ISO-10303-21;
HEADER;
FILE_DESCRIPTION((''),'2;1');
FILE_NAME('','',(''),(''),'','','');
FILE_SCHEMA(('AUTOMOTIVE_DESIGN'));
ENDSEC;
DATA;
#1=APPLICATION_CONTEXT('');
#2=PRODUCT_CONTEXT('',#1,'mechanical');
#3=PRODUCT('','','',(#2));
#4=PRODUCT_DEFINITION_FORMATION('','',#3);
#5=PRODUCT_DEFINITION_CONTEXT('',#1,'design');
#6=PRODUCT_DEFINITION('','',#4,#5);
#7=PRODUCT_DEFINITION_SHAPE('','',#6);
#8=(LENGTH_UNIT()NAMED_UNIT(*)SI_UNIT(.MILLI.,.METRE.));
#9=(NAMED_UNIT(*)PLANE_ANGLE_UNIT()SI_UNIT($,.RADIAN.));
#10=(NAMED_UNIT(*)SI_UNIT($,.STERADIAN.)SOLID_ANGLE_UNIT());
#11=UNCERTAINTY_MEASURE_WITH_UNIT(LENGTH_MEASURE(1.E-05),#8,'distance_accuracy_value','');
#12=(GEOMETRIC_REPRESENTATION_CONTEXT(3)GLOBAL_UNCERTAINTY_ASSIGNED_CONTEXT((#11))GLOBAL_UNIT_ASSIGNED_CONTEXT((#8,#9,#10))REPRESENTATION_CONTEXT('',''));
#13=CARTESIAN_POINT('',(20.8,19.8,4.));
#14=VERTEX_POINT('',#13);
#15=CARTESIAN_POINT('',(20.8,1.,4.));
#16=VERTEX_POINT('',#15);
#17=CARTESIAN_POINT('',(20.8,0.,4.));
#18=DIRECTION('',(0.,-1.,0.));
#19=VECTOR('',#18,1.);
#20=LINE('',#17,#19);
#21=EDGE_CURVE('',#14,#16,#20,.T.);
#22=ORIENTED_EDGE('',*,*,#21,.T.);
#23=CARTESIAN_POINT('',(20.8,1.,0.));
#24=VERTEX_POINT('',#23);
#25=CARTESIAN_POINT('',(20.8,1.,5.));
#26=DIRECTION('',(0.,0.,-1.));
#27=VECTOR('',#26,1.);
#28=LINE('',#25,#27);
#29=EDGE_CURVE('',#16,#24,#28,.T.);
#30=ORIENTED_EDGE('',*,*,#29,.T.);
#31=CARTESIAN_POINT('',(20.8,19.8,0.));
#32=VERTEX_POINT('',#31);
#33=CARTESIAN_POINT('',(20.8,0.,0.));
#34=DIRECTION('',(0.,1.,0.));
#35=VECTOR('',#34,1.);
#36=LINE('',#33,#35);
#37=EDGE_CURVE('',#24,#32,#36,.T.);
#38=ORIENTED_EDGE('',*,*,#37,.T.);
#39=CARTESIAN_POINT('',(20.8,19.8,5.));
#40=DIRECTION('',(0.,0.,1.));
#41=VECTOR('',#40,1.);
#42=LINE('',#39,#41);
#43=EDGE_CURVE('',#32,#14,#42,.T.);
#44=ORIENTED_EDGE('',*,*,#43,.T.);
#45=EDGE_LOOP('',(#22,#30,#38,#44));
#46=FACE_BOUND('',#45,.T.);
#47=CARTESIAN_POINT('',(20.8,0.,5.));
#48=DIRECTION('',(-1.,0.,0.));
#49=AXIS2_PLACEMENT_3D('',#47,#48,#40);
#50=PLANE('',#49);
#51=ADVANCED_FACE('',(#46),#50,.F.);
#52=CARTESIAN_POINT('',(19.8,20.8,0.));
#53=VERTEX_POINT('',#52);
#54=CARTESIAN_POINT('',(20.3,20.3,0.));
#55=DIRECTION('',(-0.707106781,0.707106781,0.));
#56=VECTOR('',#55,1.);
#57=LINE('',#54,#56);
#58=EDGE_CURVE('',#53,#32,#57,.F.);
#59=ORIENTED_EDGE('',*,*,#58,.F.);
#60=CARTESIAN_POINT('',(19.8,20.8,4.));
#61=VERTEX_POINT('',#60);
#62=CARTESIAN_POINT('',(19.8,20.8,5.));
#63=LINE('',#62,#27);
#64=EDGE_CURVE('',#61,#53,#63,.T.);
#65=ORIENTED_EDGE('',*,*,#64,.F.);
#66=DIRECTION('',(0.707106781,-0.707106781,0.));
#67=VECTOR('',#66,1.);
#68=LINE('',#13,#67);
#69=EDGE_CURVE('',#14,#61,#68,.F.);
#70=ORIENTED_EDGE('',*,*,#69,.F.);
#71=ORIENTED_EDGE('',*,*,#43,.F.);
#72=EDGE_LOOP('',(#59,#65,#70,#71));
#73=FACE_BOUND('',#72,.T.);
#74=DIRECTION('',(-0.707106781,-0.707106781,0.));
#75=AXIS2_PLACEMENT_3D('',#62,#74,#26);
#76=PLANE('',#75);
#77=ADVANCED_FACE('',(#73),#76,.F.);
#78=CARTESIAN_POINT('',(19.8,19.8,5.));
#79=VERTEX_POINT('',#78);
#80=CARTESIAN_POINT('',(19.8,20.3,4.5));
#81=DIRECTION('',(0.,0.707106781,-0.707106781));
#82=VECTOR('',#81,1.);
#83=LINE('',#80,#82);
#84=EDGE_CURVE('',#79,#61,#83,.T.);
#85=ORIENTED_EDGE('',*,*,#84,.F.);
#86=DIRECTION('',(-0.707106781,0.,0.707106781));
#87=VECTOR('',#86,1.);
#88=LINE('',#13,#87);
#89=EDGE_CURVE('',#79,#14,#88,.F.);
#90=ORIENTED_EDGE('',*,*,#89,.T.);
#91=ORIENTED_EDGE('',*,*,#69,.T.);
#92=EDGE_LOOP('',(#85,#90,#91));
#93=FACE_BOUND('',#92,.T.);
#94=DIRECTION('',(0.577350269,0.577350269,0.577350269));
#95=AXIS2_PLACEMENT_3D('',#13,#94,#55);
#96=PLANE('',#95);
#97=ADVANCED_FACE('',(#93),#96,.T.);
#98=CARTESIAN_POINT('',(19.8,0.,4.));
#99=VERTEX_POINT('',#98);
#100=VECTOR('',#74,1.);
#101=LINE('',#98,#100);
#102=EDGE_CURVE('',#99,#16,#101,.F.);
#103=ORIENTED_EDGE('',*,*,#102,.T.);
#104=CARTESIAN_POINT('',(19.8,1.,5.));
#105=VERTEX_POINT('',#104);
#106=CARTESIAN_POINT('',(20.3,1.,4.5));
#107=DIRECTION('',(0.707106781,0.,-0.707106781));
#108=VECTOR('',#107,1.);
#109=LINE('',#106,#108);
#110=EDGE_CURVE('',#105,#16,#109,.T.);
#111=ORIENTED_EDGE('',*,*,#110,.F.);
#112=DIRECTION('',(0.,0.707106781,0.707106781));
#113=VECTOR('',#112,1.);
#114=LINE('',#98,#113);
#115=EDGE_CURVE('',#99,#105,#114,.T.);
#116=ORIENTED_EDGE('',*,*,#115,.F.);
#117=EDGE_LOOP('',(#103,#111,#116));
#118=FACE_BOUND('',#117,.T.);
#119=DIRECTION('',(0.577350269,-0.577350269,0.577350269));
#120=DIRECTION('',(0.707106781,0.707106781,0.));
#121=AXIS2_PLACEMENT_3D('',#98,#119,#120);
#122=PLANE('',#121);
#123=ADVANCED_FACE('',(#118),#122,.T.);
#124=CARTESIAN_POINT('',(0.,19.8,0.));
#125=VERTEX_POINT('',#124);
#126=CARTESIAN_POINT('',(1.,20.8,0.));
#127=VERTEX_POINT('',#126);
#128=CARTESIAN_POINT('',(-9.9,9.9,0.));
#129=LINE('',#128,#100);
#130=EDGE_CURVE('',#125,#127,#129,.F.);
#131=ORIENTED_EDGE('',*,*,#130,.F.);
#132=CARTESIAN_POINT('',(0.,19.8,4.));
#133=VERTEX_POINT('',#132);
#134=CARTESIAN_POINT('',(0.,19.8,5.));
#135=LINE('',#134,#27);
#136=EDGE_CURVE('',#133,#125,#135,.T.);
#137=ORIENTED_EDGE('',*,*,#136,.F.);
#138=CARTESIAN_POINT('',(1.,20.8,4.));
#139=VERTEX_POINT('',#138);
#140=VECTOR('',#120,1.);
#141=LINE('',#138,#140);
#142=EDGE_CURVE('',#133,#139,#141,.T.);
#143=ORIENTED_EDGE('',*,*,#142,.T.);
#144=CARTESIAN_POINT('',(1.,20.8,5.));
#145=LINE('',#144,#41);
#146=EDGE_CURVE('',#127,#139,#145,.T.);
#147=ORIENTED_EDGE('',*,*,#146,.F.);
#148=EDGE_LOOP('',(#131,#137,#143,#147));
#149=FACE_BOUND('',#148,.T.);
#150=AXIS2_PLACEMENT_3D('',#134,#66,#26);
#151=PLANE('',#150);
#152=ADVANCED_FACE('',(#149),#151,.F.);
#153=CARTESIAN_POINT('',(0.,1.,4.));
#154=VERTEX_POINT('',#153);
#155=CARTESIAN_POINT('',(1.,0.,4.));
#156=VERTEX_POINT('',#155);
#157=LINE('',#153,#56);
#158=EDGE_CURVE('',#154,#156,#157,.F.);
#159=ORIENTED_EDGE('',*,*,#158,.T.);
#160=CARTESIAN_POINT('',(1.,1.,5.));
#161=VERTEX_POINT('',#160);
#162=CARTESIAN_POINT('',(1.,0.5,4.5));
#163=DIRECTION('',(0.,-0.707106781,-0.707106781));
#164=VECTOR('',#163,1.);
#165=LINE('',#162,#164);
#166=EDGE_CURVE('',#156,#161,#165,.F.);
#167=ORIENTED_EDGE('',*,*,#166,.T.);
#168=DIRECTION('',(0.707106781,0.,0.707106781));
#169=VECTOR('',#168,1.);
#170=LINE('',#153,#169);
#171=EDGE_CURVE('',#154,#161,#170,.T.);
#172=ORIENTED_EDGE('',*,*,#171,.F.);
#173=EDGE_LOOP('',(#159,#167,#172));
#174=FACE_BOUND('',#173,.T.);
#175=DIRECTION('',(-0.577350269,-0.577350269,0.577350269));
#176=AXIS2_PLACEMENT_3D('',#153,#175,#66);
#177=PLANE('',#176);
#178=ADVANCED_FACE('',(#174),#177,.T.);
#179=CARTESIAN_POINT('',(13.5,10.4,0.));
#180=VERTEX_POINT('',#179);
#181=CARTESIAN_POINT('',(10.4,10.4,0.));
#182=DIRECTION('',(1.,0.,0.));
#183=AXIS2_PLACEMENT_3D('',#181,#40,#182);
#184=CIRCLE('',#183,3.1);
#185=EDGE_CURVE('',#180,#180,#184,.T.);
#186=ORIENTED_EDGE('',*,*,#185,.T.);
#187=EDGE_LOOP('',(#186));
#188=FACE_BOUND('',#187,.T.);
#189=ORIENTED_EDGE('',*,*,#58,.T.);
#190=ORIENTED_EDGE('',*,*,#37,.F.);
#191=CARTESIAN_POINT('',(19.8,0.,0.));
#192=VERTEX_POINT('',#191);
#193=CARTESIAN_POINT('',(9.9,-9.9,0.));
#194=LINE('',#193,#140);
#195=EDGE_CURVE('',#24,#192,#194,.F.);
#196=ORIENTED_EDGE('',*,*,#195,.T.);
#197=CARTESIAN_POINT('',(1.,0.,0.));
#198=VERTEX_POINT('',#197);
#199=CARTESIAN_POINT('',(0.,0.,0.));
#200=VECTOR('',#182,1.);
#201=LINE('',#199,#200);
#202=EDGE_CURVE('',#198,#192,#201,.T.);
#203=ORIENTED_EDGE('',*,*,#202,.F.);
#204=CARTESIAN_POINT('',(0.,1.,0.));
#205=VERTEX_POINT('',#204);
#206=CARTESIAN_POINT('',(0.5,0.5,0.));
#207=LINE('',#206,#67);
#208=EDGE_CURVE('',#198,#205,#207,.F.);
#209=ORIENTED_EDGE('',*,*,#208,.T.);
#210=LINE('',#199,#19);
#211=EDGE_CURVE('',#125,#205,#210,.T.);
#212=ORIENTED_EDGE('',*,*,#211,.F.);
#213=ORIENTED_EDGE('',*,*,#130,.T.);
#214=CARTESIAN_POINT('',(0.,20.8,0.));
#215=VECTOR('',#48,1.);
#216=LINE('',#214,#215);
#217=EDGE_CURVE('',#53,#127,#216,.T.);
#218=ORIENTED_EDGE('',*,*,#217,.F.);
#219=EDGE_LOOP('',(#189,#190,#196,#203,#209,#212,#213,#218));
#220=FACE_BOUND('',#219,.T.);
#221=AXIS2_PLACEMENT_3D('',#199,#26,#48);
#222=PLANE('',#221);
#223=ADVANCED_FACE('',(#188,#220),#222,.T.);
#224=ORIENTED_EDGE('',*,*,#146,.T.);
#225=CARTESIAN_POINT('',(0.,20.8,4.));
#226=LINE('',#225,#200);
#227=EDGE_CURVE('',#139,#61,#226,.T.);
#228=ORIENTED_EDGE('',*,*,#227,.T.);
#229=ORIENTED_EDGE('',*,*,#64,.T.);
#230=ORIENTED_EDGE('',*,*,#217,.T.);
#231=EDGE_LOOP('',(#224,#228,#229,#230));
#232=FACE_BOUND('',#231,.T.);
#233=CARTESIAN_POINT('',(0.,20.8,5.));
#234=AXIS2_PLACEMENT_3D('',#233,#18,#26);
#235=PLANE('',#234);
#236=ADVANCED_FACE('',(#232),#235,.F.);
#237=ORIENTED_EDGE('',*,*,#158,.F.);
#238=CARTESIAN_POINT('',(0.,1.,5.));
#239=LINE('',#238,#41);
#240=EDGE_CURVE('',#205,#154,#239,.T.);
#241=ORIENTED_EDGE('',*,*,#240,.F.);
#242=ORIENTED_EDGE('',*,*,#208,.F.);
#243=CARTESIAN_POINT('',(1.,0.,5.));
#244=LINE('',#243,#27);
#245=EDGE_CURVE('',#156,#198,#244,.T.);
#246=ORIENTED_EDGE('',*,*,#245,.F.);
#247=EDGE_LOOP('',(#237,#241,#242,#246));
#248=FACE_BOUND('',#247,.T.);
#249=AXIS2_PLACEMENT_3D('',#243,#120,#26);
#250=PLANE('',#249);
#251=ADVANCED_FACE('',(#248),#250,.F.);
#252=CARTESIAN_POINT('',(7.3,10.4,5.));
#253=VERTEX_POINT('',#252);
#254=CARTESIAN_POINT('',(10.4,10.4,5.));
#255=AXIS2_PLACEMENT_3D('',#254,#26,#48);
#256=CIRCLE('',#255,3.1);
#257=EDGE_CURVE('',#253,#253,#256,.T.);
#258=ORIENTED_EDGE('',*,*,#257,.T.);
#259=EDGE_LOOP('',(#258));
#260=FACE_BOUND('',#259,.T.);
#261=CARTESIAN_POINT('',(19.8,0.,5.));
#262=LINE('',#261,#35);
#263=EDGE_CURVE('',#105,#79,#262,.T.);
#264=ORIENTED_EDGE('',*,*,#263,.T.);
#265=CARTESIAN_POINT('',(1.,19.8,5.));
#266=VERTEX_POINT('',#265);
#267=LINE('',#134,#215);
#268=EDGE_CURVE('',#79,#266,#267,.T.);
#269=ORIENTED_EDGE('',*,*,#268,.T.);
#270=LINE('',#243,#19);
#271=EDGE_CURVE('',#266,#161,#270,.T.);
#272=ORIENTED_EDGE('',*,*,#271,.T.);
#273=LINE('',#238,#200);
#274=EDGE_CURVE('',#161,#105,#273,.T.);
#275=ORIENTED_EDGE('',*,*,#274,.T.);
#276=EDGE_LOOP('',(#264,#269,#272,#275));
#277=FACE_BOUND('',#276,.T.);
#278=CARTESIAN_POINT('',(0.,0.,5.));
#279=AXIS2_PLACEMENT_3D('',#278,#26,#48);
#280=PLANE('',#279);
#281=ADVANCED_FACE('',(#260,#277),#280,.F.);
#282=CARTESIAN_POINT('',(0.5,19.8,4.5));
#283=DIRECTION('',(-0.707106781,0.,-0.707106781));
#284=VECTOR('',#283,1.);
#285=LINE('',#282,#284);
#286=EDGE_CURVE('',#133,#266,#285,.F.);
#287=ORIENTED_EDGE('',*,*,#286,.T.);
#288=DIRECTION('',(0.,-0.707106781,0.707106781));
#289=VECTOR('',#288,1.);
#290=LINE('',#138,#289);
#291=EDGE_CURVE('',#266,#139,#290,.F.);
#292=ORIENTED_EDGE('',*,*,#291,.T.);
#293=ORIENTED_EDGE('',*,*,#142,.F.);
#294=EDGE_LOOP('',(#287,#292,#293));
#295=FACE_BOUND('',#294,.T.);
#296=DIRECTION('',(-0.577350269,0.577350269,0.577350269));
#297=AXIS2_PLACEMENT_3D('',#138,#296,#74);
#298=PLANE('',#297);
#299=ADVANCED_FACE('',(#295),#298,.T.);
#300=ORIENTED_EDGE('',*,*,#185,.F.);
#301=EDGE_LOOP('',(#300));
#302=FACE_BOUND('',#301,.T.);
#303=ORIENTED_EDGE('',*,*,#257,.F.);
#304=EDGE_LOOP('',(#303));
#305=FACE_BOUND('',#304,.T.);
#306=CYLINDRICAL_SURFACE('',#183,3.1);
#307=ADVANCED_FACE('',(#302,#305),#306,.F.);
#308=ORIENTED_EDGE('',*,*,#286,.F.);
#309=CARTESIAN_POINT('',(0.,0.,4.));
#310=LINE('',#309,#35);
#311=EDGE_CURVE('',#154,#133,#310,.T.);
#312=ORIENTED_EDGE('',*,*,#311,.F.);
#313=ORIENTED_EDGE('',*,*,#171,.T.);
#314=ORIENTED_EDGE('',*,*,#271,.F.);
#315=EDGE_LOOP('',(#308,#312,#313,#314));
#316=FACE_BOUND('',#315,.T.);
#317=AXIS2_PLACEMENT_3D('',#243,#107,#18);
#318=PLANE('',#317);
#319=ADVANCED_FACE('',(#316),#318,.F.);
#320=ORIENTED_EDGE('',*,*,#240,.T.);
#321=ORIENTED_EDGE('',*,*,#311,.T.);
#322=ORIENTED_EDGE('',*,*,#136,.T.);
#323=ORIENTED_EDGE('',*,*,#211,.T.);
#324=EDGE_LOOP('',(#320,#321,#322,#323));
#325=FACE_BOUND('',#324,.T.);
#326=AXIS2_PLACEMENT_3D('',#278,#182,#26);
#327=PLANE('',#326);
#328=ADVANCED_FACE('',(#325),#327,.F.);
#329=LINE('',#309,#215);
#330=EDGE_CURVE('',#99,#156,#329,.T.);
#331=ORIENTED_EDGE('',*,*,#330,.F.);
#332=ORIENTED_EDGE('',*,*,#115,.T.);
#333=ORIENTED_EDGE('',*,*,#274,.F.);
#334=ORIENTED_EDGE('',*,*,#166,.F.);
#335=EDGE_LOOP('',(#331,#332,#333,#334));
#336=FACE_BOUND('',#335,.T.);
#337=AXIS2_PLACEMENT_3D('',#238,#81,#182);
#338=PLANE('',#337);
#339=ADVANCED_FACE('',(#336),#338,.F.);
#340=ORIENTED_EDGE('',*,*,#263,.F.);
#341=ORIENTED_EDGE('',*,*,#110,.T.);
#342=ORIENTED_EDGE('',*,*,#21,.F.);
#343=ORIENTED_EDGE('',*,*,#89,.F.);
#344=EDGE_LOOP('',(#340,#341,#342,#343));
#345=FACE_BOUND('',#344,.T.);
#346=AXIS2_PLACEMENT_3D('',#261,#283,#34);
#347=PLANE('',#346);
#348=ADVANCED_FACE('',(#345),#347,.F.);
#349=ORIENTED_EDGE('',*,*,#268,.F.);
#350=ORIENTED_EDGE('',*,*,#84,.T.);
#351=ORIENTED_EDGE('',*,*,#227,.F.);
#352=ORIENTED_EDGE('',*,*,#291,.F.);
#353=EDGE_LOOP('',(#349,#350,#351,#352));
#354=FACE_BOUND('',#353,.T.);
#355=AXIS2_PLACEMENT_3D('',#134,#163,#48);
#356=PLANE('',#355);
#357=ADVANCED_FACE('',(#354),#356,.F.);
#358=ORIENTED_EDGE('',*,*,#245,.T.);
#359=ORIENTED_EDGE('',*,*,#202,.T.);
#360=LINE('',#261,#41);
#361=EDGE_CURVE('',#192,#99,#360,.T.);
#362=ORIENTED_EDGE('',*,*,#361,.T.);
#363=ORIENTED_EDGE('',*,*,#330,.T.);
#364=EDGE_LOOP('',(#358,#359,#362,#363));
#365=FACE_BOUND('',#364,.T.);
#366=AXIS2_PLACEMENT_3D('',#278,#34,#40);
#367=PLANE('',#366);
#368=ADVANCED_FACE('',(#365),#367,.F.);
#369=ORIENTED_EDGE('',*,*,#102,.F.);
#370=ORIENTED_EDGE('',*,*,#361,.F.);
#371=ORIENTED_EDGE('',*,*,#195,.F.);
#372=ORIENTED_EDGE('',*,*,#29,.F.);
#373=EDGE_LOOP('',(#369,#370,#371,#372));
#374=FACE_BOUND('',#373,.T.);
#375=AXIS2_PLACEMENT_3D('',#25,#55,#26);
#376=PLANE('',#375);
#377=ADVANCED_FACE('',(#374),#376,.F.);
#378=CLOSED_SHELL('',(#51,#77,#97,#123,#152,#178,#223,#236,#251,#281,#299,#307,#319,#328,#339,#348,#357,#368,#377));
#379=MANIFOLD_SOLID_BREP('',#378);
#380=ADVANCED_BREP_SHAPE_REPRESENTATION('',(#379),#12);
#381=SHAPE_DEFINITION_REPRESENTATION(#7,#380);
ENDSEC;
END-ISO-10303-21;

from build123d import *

# Parameters (mm, degrees)
ESQUISSE2_W                  = 20.8
ESQUISSE2_H                  = 20.8
BOSS_EXTRU_1_DEPTH           = 5
ENL_V_MAT_EXTRU_1_DEPTH      = 30.837560222
ENL_V_MAT_EXTRU_1_DEPTH_BACK = 30.837560222
ESQUISSE4_R                  = 3.1
CHANFREIN1_SIZE              = 1


with BuildPart() as part:
    # Esquisse2 → Boss.-Extru.1 (new body)
    with BuildSketch(Plane.XY):
        with Locations((10.4, 10.4)):
            Rectangle(ESQUISSE2_W, ESQUISSE2_H)
    extrude(amount=BOSS_EXTRU_1_DEPTH)

    # Esquisse4 → Enlèv. mat.-Extru.1 (cut, two sides: drawn at the far end of the back side and taken through both)
    with BuildSketch(Plane.XY.offset(5).offset(-ENL_V_MAT_EXTRU_1_DEPTH_BACK)):
        with Locations((10.4, 10.4)):
            Circle(ESQUISSE4_R)
    extrude(amount=ENL_V_MAT_EXTRU_1_DEPTH + ENL_V_MAT_EXTRU_1_DEPTH_BACK, mode=Mode.SUBTRACT)

    # Chanfrein1
    chanfrein1_edges = [part.edges().sort_by_distance(p)[0] for p in [
        (20.8, 10.4, 5),
        (10.4, 20.8, 5),
        (0, 10.4, 5),
        (0, 20.8, 2.5),
        (20.8, 20.8, 2.5),
        (20.8, 0, 2.5),
        (0, 0, 2.5),
        (10.4, 0, 5),
    ]]
    chamfer(chanfrein1_edges, length=CHANFREIN1_SIZE)


solid = part.part
